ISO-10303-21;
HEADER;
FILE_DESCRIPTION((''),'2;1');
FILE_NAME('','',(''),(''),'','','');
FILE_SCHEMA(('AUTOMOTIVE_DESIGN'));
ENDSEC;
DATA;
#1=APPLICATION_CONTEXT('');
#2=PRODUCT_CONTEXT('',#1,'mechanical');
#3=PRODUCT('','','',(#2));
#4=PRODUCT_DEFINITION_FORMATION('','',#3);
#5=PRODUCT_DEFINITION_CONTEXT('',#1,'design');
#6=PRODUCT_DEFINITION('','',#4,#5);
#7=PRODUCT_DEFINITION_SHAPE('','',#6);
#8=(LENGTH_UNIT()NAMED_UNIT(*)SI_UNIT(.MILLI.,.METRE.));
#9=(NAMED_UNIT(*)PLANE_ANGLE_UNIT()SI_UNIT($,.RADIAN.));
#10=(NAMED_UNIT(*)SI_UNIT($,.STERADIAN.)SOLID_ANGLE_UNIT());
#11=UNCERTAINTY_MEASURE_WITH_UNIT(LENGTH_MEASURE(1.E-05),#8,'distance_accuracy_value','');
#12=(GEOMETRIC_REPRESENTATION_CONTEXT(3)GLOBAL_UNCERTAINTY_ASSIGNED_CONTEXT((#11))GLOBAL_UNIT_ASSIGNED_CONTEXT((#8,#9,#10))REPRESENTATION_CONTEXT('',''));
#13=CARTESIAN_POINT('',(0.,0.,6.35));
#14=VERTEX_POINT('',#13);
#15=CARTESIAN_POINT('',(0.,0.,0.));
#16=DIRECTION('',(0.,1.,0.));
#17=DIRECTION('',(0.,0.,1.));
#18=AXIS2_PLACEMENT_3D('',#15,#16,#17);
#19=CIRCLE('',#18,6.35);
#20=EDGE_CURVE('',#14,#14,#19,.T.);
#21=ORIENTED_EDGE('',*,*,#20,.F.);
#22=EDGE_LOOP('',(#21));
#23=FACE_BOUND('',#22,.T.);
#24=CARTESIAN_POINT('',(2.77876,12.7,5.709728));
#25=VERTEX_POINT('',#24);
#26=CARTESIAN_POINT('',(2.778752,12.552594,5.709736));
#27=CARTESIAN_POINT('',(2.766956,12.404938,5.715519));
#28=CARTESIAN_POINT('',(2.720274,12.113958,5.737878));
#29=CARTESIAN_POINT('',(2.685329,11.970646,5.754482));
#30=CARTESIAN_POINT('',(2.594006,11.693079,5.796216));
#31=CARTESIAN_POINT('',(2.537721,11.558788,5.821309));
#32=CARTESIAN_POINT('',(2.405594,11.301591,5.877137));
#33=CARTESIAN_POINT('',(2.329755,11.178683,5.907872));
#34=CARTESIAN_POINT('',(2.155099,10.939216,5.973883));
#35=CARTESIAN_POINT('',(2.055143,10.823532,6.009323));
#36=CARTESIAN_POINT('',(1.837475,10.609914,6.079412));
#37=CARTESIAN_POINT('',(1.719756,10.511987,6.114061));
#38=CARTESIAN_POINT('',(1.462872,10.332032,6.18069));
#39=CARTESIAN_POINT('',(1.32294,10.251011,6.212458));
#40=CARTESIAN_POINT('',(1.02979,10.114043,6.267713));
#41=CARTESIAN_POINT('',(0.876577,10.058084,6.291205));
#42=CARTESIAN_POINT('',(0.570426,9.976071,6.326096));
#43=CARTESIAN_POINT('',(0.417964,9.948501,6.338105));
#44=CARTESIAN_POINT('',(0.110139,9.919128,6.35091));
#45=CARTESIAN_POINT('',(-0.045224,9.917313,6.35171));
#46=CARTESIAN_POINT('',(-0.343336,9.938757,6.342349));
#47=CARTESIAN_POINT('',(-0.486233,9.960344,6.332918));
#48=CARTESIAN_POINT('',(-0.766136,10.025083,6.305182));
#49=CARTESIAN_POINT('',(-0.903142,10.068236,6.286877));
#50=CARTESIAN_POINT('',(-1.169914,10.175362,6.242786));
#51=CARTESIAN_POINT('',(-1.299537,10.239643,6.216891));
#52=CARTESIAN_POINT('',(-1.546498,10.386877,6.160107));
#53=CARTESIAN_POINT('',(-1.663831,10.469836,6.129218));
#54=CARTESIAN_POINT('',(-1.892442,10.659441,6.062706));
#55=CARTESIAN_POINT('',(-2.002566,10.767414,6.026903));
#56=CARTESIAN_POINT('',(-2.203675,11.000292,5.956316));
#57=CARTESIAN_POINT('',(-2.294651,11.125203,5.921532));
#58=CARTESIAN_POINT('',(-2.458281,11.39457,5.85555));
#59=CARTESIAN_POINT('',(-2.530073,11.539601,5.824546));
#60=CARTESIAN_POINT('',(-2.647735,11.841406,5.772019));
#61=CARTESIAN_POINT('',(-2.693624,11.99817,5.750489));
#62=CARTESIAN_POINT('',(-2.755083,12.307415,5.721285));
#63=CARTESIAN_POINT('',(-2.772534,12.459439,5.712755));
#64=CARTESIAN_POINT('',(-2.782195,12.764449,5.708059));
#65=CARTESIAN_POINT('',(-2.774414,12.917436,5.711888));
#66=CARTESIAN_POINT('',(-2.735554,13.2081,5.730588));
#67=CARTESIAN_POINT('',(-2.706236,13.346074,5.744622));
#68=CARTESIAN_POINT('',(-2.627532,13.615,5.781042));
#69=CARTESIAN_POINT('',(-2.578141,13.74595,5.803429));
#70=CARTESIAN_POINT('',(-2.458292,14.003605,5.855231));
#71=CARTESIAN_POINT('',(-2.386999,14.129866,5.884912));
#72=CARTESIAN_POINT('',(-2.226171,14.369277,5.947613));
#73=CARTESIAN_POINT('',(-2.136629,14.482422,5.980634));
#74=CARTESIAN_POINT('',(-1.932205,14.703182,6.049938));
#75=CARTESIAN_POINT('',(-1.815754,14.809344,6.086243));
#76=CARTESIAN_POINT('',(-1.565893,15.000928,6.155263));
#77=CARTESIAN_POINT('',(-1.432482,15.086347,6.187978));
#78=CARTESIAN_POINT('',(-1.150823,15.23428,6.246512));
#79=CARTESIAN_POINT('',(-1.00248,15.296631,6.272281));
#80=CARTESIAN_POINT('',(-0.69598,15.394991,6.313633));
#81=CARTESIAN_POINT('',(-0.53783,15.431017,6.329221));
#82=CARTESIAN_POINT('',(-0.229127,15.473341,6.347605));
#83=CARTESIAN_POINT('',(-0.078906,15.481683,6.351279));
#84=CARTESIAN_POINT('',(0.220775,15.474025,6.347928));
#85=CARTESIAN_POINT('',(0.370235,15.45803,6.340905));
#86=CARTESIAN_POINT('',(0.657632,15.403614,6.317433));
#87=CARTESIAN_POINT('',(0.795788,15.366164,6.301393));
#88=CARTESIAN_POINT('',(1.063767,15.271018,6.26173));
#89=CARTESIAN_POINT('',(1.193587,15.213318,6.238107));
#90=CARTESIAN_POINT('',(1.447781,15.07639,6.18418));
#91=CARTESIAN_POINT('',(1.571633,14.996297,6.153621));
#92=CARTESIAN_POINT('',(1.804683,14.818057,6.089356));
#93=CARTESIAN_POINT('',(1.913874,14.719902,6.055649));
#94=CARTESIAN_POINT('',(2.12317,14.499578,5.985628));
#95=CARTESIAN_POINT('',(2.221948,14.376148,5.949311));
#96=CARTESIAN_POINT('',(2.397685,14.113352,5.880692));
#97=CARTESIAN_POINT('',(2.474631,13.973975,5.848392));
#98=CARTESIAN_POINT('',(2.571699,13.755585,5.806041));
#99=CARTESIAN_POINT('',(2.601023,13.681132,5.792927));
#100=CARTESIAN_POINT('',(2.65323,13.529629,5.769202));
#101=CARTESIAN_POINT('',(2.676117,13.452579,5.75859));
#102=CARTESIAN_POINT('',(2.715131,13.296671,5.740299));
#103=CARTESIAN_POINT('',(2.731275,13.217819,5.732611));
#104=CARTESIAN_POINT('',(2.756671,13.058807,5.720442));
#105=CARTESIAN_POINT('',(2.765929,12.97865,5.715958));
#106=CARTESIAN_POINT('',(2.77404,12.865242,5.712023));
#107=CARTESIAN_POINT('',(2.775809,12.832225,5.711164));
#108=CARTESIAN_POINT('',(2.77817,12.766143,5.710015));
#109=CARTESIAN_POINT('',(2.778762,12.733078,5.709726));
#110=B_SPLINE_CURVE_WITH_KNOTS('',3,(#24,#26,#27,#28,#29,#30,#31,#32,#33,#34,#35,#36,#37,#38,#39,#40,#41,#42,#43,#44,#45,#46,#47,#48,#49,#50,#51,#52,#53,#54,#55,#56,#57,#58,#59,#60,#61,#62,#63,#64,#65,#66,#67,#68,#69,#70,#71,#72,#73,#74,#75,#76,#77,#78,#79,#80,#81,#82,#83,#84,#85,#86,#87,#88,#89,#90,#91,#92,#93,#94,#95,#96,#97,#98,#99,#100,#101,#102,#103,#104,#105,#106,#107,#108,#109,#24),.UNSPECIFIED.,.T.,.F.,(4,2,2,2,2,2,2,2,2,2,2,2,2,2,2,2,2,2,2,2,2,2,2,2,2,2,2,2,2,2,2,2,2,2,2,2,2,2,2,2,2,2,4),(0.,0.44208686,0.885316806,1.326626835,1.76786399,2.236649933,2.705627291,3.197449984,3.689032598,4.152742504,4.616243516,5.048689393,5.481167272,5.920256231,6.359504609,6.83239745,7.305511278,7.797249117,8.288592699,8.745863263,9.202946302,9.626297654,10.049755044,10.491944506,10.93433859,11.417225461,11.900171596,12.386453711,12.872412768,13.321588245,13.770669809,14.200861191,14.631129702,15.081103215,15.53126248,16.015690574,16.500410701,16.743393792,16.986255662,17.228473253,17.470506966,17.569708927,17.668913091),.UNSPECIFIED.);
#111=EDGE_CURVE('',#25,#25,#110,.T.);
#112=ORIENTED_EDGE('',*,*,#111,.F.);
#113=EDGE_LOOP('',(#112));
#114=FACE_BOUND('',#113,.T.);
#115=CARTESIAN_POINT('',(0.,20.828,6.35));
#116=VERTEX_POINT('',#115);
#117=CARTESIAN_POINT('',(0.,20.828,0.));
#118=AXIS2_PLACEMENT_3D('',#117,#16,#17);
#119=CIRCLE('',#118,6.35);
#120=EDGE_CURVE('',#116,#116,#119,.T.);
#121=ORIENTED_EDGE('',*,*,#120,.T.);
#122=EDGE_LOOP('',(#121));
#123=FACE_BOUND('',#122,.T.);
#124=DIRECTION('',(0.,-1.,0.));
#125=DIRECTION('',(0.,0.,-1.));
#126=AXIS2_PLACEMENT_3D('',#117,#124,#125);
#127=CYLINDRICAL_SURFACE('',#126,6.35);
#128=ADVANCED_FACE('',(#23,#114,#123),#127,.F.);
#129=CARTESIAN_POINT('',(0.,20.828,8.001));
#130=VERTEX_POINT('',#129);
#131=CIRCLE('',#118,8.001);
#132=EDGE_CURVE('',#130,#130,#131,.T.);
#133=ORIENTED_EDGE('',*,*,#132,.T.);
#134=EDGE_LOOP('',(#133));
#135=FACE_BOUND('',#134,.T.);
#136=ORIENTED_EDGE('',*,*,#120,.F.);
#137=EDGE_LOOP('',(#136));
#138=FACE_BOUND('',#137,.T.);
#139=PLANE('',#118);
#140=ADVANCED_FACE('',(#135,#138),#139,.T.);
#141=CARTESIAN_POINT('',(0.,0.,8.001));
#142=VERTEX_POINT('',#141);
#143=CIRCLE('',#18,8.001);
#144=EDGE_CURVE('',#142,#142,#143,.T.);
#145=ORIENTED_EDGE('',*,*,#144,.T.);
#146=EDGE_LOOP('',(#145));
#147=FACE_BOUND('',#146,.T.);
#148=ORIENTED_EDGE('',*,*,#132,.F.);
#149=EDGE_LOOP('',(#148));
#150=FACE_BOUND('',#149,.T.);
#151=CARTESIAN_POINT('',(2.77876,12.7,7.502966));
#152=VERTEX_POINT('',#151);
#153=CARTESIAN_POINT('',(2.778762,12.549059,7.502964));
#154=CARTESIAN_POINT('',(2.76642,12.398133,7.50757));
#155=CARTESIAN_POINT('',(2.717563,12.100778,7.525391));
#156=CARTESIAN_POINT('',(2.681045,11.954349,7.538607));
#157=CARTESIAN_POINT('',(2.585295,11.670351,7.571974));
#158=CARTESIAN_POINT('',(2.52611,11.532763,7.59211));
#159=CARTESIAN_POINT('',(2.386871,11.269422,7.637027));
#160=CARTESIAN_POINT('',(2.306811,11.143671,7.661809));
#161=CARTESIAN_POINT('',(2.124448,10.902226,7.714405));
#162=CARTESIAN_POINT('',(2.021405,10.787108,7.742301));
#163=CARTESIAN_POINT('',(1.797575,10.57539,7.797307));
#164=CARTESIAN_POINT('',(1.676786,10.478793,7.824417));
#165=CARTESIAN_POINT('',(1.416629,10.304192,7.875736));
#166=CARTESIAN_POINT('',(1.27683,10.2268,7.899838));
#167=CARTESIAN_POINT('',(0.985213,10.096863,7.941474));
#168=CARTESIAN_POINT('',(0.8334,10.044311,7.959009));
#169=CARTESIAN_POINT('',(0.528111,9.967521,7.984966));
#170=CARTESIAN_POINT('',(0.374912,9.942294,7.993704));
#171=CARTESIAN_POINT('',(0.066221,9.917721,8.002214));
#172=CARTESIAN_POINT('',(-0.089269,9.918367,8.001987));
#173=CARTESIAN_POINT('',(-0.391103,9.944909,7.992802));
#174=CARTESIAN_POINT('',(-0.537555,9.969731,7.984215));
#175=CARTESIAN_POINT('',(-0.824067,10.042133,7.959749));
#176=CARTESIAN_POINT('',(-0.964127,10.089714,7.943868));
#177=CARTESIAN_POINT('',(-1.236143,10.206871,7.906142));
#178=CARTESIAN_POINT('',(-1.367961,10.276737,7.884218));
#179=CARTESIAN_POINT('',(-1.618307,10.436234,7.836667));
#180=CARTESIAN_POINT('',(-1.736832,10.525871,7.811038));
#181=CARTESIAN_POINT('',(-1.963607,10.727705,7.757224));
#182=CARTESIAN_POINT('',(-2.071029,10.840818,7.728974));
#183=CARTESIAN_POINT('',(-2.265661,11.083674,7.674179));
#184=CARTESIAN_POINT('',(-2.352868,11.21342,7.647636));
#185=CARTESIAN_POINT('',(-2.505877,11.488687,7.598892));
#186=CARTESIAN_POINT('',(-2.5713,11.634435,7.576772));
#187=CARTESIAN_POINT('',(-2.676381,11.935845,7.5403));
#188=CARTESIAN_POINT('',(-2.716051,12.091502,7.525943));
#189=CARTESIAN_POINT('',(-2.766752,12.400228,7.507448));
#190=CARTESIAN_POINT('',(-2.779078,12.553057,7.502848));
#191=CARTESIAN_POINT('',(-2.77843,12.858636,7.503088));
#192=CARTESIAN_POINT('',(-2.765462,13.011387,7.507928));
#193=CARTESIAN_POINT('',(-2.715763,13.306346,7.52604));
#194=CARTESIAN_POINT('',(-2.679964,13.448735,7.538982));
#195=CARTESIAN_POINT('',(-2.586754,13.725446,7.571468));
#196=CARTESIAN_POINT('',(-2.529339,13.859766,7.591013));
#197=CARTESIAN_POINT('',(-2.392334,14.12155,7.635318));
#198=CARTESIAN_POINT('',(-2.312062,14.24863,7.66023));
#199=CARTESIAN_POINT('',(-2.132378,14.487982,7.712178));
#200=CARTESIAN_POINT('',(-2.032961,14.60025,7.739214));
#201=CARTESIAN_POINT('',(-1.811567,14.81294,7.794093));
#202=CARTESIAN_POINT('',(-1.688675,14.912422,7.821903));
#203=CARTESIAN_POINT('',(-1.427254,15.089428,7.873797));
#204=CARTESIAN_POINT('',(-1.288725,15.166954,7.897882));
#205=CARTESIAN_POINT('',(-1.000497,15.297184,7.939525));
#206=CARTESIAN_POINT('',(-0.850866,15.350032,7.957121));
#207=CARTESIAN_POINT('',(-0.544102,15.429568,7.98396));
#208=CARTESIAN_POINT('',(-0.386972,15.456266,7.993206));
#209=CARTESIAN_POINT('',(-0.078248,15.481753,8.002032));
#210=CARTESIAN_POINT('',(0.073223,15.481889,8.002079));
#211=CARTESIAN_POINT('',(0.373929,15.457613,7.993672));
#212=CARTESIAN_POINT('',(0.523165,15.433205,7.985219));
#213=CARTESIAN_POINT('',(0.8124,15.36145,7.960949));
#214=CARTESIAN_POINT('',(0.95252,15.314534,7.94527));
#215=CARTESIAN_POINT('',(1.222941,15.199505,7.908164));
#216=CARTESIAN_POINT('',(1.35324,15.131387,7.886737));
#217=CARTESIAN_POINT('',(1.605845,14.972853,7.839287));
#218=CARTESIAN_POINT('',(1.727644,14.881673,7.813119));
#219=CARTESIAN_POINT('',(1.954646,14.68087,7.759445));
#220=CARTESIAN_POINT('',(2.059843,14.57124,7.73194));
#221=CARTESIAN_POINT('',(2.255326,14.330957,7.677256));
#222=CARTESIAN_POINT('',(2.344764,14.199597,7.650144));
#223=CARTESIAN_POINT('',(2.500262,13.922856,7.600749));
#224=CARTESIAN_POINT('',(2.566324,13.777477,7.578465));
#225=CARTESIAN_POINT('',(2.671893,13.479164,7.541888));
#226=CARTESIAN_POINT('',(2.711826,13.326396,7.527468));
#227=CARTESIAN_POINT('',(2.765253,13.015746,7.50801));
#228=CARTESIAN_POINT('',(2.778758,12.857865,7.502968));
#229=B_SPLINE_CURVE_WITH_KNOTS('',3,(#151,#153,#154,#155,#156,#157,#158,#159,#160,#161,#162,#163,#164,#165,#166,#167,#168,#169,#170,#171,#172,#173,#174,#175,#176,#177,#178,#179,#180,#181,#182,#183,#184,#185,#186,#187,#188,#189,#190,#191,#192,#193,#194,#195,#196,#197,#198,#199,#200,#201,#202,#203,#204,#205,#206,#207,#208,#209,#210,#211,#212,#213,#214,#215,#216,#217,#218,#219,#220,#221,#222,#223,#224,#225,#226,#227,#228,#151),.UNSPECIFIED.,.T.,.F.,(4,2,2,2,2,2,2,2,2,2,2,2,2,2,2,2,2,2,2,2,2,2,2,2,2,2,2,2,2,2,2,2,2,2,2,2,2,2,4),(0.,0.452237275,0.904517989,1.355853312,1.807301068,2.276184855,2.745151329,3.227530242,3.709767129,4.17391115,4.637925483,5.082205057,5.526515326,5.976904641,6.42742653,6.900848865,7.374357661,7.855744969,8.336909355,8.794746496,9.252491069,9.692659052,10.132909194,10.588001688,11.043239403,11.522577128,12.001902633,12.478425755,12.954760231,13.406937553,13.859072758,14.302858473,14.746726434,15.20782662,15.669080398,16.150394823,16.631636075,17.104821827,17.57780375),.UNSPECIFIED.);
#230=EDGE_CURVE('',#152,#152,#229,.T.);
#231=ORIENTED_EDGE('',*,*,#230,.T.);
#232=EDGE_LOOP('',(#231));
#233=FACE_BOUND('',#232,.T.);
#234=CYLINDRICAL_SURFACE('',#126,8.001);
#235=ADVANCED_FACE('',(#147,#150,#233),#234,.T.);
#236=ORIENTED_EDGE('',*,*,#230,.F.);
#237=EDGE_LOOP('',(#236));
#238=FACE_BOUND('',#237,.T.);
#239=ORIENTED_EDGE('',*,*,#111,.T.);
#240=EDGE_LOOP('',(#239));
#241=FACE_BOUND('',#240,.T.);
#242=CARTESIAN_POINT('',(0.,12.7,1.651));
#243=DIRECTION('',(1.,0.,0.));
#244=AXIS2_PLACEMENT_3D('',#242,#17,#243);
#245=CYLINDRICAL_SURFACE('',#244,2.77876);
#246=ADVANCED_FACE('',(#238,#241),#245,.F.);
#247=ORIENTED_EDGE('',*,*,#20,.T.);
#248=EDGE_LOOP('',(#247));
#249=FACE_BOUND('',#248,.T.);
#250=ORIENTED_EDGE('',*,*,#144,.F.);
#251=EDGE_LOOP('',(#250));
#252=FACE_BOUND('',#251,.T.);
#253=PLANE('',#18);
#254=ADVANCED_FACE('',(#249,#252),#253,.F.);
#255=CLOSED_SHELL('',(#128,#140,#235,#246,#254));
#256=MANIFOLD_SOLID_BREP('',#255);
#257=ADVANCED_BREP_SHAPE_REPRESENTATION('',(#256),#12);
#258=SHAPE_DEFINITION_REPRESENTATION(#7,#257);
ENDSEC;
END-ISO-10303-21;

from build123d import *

# Parameters (mm, degrees)
SKETCH1_R           = 8.001
SKETCH1_R_2         = 6.35
BOSS_EXTRUDE1_DEPTH = 20.828
SKETCH2_R           = 2.77876
CUT_EXTRUDE1_DEPTH  = 6.35


with BuildPart() as part:
    # Sketch1 → Boss-Extrude1 (new body)
    with BuildSketch(Plane(origin=(0, 0, 0), x_dir=(1, 0, 0), z_dir=(0, 1, 0))):
        with Locations(Location((0, 0, 0), (0, 0, 270))):
            Circle(SKETCH1_R)
        with Locations(Location((0, 0, 0), (0, 0, 270))):
            Circle(SKETCH1_R_2, mode=Mode.SUBTRACT)
    extrude(amount=BOSS_EXTRUDE1_DEPTH)

    # Sketch2 → Cut-Extrude1 (cut)
    with BuildSketch(Plane.XY.offset(8.001)):
        with Locations((0, 12.7)):
            Circle(SKETCH2_R)
    extrude(amount=-CUT_EXTRUDE1_DEPTH, mode=Mode.SUBTRACT)


solid = part.part
